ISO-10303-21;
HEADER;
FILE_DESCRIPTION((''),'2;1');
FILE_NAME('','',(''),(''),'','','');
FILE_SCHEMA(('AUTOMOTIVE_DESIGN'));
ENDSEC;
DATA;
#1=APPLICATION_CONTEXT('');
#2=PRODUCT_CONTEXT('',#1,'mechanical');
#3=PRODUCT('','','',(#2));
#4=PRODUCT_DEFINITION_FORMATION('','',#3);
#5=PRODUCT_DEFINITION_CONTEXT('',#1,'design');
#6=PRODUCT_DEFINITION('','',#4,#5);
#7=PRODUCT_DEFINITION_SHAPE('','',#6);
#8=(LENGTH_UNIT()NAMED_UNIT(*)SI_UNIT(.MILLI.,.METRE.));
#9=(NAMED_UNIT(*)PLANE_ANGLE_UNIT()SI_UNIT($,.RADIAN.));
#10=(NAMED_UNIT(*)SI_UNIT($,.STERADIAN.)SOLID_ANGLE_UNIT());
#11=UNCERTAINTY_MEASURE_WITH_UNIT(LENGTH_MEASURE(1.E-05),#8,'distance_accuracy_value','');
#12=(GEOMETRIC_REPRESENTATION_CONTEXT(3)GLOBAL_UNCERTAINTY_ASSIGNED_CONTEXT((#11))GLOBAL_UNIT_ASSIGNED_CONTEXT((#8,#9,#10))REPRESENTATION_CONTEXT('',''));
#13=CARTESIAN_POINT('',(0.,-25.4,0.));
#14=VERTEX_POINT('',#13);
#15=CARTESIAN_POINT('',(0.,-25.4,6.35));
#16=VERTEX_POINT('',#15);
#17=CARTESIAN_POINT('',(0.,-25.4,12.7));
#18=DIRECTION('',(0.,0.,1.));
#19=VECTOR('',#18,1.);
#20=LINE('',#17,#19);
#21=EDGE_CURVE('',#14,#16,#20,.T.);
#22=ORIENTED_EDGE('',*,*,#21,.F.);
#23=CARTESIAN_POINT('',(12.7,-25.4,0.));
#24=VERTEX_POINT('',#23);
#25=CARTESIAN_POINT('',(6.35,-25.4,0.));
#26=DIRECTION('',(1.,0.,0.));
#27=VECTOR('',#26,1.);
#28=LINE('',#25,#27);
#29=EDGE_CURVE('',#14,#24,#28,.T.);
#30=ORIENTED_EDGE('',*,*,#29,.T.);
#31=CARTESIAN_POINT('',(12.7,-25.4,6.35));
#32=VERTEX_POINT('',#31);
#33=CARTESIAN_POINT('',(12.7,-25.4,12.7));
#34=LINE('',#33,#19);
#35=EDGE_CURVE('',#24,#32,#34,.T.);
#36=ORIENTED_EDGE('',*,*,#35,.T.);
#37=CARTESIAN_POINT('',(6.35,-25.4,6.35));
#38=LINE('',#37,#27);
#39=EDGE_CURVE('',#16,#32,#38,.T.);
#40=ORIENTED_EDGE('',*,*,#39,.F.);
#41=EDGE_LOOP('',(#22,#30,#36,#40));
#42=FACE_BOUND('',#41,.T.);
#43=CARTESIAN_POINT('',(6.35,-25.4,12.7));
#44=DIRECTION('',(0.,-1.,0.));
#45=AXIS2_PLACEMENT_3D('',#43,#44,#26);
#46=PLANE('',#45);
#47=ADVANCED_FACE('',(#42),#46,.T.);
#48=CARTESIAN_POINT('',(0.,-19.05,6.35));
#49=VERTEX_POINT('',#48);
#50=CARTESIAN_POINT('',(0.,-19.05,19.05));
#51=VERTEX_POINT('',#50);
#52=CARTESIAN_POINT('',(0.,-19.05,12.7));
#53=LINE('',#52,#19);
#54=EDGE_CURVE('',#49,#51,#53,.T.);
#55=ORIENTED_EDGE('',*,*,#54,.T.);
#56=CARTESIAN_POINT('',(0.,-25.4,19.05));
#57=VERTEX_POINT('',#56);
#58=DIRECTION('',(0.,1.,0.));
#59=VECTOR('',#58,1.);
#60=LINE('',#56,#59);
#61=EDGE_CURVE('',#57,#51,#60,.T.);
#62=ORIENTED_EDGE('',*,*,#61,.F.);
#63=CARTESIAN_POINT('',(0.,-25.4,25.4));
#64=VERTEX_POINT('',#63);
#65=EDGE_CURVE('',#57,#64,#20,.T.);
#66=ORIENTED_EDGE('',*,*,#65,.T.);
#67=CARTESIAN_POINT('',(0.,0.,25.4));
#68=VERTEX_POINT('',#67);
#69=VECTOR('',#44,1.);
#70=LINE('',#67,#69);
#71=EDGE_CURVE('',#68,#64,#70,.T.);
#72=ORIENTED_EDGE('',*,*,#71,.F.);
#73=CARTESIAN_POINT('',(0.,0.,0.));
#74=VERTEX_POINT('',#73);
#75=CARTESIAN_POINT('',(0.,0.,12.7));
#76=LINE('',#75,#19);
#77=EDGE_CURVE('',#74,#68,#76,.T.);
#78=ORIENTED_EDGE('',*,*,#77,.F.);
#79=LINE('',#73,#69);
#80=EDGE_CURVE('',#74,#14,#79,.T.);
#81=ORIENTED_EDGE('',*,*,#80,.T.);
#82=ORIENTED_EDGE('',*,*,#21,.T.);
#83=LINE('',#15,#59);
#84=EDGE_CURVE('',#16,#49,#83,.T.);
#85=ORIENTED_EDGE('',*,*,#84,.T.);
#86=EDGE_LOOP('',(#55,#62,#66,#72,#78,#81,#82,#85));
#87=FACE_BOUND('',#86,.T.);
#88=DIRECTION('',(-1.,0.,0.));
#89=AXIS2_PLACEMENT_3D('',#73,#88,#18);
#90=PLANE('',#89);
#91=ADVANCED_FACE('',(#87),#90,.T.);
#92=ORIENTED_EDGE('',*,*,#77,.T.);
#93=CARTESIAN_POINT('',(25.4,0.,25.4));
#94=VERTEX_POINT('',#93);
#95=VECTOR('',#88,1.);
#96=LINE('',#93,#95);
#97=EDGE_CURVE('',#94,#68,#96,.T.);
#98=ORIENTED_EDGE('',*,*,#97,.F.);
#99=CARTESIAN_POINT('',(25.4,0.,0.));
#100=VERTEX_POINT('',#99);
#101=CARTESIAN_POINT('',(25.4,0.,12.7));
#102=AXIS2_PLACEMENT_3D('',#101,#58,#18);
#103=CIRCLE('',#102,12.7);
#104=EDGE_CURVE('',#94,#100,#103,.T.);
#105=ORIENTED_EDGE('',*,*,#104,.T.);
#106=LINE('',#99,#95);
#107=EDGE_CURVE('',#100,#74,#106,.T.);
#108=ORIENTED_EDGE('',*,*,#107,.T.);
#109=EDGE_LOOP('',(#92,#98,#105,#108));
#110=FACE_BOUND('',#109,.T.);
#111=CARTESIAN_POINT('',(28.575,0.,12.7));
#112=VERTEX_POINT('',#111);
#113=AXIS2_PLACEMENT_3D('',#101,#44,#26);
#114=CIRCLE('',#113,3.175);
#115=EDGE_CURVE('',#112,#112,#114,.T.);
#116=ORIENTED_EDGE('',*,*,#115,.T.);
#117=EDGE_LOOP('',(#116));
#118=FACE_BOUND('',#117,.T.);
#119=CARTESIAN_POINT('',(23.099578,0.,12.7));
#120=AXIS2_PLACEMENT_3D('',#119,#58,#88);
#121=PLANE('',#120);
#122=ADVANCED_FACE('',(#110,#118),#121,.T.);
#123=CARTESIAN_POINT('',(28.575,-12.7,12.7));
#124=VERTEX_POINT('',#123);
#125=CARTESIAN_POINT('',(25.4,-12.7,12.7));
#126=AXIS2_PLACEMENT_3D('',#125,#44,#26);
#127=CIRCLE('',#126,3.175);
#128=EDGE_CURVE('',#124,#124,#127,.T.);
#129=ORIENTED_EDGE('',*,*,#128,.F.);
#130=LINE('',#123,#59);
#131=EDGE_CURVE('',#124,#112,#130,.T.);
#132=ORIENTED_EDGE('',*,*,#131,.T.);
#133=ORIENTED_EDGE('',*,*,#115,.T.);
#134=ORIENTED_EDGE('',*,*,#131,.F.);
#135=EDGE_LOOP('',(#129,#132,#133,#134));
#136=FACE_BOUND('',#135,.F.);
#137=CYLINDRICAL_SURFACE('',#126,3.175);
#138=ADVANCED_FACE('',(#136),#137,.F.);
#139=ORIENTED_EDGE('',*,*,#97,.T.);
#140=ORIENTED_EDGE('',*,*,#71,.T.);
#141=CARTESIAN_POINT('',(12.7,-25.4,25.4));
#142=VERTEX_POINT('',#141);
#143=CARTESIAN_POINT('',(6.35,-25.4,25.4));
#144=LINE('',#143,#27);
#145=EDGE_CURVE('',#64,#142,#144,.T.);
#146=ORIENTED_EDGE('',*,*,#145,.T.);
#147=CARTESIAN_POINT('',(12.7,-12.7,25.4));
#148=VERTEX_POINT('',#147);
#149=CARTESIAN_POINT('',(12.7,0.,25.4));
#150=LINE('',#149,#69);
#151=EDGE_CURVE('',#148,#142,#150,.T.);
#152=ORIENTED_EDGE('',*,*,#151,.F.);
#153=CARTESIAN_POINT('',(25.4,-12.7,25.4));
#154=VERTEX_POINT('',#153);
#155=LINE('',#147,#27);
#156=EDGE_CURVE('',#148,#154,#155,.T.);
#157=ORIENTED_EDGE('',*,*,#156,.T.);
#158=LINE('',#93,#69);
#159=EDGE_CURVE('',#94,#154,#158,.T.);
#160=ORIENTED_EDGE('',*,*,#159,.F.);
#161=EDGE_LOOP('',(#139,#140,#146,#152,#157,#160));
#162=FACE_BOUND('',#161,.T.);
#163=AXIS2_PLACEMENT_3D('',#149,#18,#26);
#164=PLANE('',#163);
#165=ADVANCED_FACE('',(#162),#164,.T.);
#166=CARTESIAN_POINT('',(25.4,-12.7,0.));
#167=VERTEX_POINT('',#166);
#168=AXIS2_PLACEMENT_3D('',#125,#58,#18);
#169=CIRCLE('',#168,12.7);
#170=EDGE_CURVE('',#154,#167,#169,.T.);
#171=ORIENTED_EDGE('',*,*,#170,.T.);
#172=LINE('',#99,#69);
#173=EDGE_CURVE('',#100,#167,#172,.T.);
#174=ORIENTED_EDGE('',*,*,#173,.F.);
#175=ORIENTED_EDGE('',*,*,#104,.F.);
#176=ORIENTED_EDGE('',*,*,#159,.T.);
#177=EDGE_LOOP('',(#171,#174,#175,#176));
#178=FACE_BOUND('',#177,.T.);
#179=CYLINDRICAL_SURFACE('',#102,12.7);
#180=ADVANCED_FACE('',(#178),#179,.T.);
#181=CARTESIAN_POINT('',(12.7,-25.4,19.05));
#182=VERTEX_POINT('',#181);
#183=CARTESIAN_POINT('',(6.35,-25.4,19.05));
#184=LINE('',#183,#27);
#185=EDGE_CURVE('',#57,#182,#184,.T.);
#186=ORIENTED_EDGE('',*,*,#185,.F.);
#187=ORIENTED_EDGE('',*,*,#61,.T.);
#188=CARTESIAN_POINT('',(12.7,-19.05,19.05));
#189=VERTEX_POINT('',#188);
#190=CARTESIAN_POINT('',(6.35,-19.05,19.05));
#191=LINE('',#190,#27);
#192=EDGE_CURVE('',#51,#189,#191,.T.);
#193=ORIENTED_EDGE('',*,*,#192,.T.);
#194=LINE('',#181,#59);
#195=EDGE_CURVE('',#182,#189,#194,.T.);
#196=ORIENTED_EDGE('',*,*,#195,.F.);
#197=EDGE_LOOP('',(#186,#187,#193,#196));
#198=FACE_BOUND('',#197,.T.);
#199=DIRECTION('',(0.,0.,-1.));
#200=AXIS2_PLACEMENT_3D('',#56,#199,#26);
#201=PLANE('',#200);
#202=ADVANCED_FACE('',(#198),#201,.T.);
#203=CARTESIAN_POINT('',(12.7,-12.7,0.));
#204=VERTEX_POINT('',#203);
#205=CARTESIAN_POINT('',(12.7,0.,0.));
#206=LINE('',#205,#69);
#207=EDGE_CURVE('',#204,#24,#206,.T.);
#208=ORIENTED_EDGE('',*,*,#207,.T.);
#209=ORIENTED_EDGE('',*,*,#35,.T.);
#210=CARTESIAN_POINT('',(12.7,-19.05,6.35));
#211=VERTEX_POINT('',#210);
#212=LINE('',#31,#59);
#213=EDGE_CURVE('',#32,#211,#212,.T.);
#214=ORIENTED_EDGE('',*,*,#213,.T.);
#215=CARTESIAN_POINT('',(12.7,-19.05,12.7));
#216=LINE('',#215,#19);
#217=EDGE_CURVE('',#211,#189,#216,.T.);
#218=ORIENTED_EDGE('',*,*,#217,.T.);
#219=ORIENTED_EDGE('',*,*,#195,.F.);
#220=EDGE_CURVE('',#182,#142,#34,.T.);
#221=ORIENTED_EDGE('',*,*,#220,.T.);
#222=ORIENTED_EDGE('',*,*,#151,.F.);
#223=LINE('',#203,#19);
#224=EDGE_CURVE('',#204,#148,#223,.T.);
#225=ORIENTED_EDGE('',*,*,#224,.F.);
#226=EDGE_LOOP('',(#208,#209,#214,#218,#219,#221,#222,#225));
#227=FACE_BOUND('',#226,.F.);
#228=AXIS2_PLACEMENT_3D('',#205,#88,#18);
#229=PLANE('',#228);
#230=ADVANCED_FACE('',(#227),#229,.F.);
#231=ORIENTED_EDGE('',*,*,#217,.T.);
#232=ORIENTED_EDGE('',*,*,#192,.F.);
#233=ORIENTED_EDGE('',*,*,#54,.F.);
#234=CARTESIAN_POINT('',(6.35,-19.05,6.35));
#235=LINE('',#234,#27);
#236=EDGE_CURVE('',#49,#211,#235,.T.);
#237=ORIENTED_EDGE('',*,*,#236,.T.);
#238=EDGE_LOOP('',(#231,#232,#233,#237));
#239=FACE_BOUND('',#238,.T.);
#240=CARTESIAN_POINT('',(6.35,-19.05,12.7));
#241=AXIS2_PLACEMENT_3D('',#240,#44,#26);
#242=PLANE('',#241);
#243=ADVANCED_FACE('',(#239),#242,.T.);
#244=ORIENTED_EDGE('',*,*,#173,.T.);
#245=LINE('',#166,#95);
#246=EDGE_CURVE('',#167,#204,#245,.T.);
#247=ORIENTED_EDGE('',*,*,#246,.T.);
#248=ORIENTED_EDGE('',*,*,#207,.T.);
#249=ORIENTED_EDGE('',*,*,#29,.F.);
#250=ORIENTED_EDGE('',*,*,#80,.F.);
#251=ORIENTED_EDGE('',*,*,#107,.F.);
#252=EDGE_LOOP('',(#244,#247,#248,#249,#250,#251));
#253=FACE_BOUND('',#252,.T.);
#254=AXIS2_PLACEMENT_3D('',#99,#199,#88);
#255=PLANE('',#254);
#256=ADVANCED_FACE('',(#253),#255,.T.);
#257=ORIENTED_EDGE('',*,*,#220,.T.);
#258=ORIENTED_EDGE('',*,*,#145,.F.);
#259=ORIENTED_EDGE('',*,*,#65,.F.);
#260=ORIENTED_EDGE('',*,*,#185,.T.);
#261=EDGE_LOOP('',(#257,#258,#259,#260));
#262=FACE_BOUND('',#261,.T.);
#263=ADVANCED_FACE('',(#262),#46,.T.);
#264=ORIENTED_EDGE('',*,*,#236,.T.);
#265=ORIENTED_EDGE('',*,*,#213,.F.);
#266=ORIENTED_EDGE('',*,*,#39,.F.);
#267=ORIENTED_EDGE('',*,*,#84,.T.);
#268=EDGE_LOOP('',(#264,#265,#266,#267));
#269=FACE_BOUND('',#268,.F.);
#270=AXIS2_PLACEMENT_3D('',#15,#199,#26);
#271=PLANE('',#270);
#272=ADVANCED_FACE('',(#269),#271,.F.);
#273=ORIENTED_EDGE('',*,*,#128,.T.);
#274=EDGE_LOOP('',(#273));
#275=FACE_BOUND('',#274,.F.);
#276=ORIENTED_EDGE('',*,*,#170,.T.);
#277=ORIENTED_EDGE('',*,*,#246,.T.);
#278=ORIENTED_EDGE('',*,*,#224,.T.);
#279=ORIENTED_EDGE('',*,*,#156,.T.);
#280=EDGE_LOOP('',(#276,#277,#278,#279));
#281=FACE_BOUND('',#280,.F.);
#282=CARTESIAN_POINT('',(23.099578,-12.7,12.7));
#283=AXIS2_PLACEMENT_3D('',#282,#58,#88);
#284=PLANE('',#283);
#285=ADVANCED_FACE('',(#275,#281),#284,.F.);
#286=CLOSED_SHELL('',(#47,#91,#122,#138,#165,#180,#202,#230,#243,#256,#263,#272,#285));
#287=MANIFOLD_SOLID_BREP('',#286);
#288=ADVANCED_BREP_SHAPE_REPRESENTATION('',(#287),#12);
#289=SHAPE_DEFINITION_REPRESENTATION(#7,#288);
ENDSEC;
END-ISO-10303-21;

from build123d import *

# Parameters (mm, degrees)
F0_W     = 12.7
F0_H     = 25.4
F1_DEPTH = 25.4
F3_DEPTH = 12.7
F4_W     = 12.7
F4_H     = 12.7
F5_DEPTH = 6.35
F6_R     = 3.175
F7_DEPTH = 12.7


with BuildPart() as f1:
    # F0 (on Front) → F1 (new body)
    with BuildSketch(Plane.XZ):
        with Locations((6.35, 12.7)):
            Rectangle(F0_W, F0_H)
    extrude(amount=F1_DEPTH)

    # F2 (on face) → F3 (join)
    with BuildSketch(Plane(origin=(0, 0, 0), x_dir=(-1, 0, 0), z_dir=(0, 1, 0))):
        with BuildLine():
            Line((-12.7, 0), (-12.7, 25.4))
            Line((-12.7, 25.4), (-25.4, 25.4))
            ThreePointArc((-25.4, 25.4), (-38.1, 12.7), (-25.4, 0))
            Line((-25.4, 0), (-12.7, 0))
        make_face()
    extrude(amount=-F3_DEPTH)

    # F4 (on face) → F5 (cut)
    with BuildSketch(Plane.XZ.offset(25.4)):
        with Locations((6.35, 12.7)):
            Rectangle(F4_W, F4_H)
    extrude(amount=-F5_DEPTH, mode=Mode.SUBTRACT)

    # F6 (on face) → F7 (cut, through all)
    with BuildSketch(Plane.XZ.offset(12.7)):
        with Locations((25.4, 12.7)):
            Circle(F6_R)
    extrude(amount=-F7_DEPTH, mode=Mode.SUBTRACT)


solid = f1.part
